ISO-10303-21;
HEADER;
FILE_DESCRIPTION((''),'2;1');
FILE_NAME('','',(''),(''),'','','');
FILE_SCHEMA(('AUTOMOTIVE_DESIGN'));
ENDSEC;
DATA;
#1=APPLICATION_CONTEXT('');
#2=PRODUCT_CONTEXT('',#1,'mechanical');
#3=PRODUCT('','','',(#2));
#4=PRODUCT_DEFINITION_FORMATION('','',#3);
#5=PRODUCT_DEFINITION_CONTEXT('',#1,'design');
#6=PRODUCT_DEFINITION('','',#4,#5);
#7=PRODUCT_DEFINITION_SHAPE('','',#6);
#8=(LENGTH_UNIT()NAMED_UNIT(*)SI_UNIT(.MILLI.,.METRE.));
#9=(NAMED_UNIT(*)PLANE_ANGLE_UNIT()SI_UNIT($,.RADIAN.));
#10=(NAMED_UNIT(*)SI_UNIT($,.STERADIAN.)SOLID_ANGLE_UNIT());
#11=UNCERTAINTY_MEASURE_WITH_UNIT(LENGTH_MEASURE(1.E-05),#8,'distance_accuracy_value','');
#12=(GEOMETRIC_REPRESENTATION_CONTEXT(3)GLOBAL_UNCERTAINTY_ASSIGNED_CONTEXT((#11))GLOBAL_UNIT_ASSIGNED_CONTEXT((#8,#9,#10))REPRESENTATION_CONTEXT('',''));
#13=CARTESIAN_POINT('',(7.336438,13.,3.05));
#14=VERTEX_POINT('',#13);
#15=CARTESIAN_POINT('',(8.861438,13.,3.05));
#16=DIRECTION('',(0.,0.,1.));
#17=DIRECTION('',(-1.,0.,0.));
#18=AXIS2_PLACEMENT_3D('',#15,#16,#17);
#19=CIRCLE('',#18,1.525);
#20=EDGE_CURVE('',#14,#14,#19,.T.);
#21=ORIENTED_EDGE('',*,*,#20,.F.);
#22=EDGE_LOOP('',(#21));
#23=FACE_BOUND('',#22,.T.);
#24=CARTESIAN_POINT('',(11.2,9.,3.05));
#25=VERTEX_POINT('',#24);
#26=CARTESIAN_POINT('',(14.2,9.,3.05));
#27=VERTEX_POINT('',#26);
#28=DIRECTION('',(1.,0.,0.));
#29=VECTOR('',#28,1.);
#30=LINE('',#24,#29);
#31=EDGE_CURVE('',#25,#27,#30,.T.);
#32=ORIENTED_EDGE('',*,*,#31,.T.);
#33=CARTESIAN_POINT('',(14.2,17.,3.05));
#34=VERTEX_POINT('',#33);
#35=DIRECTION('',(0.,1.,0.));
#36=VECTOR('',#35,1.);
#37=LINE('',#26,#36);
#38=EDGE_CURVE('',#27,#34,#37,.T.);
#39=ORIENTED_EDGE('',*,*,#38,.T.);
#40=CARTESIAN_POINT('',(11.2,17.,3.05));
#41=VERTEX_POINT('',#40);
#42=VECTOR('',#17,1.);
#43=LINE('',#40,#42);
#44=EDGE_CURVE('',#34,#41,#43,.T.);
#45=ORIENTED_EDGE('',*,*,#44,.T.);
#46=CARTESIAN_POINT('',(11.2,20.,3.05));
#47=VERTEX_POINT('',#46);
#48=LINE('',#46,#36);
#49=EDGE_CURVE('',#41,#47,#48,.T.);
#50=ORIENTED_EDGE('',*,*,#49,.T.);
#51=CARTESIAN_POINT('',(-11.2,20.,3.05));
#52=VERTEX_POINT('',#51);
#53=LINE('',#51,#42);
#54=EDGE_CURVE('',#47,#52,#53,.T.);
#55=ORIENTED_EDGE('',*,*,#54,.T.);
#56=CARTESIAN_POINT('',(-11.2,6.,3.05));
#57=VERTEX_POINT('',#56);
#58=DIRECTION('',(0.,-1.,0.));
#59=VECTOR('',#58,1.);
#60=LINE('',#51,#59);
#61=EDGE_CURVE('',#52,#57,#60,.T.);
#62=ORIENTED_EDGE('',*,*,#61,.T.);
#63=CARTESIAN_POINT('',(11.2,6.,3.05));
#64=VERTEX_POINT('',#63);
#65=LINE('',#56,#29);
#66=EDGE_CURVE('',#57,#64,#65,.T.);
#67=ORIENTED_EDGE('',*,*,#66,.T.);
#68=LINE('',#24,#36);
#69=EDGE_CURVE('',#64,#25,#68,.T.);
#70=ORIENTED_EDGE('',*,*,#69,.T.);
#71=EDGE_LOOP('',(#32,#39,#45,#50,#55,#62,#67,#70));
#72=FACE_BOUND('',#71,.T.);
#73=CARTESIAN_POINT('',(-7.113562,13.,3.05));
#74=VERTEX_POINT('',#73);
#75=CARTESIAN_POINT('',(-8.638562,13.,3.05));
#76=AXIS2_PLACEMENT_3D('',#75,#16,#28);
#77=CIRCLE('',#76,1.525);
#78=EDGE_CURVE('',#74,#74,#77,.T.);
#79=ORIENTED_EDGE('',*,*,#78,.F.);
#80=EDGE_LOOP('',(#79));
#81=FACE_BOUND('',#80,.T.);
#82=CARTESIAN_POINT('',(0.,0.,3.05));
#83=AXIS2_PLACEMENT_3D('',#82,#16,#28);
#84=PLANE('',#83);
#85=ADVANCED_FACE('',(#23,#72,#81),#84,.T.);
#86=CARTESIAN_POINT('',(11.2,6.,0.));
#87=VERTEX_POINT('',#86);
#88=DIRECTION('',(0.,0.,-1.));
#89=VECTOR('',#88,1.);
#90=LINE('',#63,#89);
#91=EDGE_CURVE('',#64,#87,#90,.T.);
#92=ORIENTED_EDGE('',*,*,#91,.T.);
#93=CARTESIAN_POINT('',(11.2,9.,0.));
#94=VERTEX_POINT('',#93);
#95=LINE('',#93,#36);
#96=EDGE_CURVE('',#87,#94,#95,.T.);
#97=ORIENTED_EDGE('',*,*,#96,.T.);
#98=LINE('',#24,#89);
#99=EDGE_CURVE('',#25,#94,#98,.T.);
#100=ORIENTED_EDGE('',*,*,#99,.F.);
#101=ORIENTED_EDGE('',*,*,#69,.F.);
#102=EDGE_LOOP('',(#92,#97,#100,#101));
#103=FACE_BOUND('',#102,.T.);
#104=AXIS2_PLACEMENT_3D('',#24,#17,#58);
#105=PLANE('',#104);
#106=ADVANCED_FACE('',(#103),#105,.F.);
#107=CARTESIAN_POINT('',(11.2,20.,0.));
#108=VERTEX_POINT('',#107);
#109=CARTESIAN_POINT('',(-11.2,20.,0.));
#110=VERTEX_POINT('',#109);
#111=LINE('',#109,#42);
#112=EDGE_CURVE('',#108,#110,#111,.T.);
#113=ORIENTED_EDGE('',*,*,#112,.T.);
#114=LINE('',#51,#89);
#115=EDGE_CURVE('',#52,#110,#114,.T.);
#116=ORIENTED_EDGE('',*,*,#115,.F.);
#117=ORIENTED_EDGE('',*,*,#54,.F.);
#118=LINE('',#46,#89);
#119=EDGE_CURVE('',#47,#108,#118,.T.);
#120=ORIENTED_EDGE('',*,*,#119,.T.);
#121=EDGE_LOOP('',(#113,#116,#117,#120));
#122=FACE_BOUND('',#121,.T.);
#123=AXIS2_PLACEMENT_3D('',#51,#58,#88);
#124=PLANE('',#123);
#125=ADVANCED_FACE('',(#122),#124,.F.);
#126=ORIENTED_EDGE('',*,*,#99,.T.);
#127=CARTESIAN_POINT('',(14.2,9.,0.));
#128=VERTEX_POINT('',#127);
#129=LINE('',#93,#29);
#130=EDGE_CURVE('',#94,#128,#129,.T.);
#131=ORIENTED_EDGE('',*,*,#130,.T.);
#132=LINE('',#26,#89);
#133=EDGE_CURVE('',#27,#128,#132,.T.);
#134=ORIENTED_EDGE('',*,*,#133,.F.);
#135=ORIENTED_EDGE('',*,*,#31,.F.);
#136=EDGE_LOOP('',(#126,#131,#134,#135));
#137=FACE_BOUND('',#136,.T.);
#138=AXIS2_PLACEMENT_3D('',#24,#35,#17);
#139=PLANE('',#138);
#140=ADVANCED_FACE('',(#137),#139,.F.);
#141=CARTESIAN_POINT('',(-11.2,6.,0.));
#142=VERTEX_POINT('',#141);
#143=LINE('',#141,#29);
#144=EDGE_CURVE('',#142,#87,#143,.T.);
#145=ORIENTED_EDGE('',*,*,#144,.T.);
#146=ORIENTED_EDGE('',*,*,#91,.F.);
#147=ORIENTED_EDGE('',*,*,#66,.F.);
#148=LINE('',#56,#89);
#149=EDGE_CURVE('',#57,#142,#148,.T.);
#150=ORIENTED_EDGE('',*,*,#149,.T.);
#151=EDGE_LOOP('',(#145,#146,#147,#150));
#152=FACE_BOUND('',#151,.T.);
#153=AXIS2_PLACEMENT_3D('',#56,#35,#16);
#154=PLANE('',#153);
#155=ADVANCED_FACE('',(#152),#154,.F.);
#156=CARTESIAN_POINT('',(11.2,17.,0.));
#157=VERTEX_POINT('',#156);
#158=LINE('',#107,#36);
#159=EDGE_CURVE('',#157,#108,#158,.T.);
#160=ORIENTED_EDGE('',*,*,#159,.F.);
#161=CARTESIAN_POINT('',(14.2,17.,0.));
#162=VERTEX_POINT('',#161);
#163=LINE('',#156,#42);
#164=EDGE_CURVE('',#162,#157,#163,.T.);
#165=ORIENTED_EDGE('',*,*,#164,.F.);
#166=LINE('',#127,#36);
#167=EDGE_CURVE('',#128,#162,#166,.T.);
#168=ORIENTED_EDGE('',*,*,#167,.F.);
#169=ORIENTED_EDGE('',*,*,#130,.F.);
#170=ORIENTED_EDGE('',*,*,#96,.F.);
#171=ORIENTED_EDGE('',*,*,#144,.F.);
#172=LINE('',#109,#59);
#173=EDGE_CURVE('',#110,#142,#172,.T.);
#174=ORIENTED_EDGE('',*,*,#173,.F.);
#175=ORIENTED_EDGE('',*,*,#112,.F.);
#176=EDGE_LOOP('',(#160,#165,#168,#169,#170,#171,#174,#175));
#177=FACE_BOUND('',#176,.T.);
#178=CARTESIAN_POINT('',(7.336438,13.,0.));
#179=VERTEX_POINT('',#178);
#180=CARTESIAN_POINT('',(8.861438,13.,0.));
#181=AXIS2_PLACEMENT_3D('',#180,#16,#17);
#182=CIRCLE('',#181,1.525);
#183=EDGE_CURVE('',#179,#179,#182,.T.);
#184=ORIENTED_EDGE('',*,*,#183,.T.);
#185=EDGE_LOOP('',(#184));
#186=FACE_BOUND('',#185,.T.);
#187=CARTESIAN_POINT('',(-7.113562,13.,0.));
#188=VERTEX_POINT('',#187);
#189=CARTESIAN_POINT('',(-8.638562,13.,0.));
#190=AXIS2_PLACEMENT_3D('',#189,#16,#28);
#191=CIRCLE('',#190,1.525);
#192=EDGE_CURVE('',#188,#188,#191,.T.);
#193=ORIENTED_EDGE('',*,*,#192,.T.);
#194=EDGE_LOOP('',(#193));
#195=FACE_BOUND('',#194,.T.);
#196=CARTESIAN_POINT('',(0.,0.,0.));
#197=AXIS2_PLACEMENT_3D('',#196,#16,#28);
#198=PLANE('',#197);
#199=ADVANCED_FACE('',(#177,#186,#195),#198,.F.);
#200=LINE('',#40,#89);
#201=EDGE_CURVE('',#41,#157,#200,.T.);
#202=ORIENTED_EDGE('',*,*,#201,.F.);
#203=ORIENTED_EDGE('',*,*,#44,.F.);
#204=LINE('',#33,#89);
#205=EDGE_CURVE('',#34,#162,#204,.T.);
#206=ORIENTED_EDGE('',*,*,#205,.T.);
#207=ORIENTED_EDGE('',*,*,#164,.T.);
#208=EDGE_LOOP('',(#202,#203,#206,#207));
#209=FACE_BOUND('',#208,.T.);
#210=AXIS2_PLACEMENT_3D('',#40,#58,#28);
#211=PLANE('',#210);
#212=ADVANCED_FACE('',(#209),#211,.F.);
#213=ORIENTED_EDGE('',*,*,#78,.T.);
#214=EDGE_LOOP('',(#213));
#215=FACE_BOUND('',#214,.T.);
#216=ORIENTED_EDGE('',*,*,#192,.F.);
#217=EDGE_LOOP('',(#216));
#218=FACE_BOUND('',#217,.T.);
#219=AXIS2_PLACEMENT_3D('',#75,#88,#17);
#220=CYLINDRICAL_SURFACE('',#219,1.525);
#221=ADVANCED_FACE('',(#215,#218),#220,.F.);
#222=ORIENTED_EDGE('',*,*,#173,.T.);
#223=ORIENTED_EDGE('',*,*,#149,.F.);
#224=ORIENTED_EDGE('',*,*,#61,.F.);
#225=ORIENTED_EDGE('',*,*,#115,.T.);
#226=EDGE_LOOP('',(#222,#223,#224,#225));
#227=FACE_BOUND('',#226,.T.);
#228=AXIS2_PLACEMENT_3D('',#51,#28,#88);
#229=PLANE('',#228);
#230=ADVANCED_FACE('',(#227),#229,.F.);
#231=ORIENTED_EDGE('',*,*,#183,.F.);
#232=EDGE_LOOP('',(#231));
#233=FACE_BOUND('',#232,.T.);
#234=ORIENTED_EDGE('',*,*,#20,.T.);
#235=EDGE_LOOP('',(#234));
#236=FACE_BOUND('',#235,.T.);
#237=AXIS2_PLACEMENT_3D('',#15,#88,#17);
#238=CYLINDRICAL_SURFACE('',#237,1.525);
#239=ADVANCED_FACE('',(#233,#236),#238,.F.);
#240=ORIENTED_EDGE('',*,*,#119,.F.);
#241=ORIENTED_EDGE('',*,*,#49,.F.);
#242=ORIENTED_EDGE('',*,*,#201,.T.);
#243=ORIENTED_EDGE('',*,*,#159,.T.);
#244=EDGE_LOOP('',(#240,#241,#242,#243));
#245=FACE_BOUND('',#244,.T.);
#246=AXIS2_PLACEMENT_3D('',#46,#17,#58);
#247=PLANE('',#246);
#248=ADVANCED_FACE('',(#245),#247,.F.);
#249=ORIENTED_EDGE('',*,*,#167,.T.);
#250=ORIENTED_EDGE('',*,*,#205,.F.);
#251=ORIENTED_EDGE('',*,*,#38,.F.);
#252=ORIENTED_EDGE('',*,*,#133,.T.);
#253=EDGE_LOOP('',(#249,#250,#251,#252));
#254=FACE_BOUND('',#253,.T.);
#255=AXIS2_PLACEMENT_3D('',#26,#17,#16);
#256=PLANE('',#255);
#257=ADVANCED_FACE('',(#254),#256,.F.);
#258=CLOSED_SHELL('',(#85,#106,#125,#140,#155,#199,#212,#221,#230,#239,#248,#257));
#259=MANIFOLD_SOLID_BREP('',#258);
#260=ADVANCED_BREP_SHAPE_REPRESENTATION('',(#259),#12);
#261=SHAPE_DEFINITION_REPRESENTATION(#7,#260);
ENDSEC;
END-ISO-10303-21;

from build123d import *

# Parameters (mm, degrees)
SKETCH1_R           = 1.525
BOSS_EXTRUDE1_DEPTH = 3.05


with BuildPart() as part:
    # Sketch1 → Boss-Extrude1 (new body)
    with BuildSketch(Plane.XY):
        Polygon((-11.2, 20), (11.2, 20), (11.2, 17), (14.2, 17), (14.2, 9), (11.2, 9), (11.2, 6), (-11.2, 6), align=None)
        with Locations((8.861437687, 13)):
            Circle(SKETCH1_R, mode=Mode.SUBTRACT)
        with Locations((-8.638562313, 13)):
            Circle(SKETCH1_R, mode=Mode.SUBTRACT)
    extrude(amount=BOSS_EXTRUDE1_DEPTH)


solid = part.part
